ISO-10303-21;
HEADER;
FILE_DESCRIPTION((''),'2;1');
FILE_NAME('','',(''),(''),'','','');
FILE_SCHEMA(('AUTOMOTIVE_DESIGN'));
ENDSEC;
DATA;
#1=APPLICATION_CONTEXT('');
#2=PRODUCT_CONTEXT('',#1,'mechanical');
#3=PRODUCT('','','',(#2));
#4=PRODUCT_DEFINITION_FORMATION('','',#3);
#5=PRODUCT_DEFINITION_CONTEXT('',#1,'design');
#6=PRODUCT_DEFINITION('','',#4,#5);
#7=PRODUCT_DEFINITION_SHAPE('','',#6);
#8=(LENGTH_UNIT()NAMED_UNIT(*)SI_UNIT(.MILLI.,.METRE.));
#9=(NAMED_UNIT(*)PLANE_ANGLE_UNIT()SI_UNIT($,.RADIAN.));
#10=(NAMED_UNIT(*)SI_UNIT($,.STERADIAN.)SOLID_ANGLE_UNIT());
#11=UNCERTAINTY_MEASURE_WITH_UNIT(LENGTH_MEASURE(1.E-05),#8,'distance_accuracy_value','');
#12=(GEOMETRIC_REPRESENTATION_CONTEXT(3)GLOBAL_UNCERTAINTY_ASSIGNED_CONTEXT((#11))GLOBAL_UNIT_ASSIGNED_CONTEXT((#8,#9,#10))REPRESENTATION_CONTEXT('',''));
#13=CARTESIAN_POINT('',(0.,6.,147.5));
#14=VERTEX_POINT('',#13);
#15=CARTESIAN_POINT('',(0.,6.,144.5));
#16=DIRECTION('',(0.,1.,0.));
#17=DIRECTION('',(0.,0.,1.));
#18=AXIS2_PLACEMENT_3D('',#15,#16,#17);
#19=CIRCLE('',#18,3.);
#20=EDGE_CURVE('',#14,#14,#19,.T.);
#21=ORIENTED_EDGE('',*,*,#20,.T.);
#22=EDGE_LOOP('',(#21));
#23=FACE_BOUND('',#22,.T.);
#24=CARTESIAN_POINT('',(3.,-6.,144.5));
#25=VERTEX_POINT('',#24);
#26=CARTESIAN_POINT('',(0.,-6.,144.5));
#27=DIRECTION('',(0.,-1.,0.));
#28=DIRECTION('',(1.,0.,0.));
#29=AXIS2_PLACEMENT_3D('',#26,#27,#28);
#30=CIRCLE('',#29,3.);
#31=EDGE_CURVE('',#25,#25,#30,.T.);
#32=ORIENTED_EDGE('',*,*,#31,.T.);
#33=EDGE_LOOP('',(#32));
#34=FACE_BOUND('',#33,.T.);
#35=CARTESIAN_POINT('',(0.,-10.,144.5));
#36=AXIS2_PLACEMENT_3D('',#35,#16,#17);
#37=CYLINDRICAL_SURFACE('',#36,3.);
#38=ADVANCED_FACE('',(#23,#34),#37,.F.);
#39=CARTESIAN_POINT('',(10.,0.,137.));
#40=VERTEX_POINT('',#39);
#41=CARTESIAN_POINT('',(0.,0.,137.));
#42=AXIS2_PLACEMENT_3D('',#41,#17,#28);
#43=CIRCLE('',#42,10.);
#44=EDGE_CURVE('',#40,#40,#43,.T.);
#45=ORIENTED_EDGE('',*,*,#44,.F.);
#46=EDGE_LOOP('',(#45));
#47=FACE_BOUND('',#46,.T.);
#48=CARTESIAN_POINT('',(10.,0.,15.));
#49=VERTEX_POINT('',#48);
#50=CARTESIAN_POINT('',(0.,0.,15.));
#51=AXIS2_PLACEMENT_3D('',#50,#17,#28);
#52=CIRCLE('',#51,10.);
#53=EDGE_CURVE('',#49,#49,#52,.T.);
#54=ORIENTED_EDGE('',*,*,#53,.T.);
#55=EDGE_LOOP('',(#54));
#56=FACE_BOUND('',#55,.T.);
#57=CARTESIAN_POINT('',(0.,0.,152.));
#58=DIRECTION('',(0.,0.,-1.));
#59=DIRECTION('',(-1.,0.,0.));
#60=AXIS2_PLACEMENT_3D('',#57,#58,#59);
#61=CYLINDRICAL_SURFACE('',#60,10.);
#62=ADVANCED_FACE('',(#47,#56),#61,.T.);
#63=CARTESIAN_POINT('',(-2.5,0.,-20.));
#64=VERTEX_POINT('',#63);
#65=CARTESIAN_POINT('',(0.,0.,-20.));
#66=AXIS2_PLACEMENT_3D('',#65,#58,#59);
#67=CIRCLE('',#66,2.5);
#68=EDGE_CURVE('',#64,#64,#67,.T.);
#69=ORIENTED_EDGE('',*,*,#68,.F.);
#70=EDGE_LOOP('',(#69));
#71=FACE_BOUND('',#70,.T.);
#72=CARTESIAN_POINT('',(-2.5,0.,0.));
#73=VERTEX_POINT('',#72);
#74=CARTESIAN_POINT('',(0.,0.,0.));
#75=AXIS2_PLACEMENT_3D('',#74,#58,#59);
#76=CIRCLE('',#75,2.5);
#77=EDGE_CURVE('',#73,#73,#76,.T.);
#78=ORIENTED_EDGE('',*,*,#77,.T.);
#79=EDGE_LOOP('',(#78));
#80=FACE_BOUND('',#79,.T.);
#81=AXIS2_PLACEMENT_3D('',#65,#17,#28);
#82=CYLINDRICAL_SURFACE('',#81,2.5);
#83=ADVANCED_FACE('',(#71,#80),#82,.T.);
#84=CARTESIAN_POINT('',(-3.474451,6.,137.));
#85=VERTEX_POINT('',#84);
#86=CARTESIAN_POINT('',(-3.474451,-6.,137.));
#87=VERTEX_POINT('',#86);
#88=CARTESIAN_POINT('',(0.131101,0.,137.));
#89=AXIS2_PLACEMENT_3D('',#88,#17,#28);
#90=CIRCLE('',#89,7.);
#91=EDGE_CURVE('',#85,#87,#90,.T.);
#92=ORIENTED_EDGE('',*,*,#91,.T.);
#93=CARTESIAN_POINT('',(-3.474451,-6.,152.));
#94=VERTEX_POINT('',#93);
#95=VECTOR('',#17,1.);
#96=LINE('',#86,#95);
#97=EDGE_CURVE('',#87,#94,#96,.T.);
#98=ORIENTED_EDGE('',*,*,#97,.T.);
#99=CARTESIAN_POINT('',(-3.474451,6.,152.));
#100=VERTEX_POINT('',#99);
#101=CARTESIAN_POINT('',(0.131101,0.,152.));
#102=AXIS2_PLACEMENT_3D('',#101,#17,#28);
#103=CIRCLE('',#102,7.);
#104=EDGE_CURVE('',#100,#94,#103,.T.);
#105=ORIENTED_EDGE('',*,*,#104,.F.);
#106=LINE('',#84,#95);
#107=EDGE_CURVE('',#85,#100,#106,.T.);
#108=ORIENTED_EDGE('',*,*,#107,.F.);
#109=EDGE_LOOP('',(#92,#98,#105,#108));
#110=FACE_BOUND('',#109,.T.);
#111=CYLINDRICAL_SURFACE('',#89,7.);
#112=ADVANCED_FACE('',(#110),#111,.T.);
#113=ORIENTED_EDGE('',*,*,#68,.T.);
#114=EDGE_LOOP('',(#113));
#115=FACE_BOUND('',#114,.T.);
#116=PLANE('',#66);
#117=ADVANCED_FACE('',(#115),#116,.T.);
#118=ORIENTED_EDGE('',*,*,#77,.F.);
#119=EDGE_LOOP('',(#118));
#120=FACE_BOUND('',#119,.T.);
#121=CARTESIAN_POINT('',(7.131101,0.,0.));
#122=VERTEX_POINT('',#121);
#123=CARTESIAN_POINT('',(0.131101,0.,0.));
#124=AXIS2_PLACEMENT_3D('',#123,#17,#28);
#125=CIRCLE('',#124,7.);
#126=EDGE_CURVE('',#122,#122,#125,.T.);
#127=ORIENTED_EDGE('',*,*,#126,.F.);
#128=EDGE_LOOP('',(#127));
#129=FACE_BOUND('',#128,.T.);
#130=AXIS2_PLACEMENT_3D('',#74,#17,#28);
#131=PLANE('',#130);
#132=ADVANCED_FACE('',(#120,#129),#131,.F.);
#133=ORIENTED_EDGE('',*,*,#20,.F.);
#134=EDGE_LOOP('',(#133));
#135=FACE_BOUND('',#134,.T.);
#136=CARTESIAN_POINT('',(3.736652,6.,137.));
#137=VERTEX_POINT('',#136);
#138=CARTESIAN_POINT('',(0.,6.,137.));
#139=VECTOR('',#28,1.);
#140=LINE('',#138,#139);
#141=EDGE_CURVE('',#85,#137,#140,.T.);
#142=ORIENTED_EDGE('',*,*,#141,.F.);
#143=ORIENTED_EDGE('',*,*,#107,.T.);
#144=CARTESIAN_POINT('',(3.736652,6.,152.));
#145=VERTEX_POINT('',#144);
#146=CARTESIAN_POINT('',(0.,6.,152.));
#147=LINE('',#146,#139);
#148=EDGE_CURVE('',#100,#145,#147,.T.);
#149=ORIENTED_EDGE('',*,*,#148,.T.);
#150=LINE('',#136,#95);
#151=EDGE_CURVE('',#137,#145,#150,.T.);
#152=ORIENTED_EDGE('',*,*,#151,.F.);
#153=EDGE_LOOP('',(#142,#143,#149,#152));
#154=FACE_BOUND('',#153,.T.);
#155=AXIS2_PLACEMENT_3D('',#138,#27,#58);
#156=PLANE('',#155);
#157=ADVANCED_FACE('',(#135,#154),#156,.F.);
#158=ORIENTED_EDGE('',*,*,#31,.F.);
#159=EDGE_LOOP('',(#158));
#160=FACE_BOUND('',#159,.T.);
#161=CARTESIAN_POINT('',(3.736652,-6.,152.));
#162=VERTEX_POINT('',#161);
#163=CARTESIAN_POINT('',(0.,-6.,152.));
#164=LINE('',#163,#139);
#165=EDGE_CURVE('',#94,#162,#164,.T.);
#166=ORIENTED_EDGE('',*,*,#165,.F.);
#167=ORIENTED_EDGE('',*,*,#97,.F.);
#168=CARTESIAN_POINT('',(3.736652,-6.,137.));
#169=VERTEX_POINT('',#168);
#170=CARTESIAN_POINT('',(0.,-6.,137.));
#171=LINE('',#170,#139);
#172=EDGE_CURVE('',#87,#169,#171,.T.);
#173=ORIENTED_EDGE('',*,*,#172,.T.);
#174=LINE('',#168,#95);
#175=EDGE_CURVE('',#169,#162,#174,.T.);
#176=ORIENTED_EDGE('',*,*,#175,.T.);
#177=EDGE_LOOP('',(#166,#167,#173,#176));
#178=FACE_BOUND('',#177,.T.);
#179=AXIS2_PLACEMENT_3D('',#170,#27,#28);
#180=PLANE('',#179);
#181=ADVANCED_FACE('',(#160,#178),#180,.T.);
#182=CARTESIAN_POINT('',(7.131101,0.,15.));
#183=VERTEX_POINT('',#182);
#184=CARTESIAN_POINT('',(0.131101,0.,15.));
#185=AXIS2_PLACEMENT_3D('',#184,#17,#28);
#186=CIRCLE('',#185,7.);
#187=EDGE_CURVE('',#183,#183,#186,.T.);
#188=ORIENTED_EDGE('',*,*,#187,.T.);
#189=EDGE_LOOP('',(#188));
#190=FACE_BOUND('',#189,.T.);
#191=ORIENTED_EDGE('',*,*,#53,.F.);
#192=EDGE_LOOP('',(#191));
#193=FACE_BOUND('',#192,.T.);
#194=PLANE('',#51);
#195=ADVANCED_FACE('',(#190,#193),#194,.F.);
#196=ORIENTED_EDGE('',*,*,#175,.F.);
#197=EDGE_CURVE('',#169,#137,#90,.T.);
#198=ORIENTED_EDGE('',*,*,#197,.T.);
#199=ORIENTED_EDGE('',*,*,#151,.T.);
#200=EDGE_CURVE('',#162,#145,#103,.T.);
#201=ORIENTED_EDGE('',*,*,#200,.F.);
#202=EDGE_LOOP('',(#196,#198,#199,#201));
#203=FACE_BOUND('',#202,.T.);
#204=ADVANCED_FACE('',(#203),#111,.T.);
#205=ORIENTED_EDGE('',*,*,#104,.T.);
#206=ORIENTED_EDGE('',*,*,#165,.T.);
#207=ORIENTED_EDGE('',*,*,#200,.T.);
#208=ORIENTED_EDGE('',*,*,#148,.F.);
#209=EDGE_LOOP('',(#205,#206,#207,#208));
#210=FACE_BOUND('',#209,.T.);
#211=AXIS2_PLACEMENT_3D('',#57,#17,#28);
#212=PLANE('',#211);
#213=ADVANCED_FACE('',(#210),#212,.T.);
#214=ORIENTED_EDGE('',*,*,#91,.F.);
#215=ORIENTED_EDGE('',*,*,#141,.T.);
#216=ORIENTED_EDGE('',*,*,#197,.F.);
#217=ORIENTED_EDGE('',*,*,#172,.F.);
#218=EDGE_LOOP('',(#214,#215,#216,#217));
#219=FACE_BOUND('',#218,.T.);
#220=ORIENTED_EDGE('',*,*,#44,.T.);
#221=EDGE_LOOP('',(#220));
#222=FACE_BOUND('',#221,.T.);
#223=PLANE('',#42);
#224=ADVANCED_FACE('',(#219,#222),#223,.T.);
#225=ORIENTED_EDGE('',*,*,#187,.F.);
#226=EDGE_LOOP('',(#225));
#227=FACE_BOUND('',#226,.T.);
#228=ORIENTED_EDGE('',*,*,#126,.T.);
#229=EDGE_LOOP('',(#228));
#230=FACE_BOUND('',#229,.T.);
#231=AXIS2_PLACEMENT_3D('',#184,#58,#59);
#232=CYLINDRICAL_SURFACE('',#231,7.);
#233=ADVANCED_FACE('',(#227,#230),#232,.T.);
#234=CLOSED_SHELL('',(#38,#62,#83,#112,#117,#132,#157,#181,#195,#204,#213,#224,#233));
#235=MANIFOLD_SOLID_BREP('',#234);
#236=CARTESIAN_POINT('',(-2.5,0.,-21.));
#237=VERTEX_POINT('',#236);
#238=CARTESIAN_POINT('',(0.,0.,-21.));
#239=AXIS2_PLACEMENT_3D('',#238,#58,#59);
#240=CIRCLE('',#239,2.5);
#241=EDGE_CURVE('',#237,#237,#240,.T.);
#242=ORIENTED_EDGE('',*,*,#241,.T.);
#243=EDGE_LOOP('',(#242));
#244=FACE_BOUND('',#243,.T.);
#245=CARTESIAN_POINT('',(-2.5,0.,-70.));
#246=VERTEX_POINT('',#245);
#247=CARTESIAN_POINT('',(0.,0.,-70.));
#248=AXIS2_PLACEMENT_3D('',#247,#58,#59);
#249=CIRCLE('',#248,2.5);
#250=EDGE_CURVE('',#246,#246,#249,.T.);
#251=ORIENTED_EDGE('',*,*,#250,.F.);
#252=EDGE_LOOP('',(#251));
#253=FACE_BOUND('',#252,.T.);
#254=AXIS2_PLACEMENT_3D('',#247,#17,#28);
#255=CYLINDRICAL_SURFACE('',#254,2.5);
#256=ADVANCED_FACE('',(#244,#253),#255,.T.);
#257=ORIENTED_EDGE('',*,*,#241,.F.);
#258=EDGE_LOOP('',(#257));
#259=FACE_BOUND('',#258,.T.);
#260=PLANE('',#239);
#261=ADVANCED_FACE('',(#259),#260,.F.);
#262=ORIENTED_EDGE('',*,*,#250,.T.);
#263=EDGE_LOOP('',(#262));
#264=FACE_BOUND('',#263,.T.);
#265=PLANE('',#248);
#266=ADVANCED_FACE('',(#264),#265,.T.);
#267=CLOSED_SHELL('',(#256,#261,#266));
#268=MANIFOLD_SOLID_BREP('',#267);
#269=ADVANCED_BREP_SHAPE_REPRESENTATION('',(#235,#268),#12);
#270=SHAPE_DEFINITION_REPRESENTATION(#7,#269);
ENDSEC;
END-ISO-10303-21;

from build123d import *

# Parameters (mm, degrees)
SKETCH_1_R          = 10
EXTRUDE_1_DEPTH     = 152
CUT_EXTRUDE_START   = -15
SKETCH_2_R          = 10
SKETCH_2_R_2        = 7
CUT_EXTRUDE_1_DEPTH = 15
CUT_EXTRUDE_START_2 = -152
SKETCH_2_3_R        = 10
SKETCH_2_3_R_2      = 7
CUT_EXTRUDE_2_DEPTH = 15
SKETCH_3_R          = 3
CUT_EXTRUDE_3_DEPTH = 154.166575988
SKETCH_4_R          = 2.5
EXTRUDE_2_DEPTH     = 20
EXTRUDE_START       = 21
SKETCH_4_2_R        = 2.5
EXTRUDE_3_DEPTH     = 49


with BuildPart() as part:
    # 草图1 → 凸台-拉伸1 (new body)
    with BuildSketch(Plane.XY):
        Circle(SKETCH_1_R)
    extrude(amount=EXTRUDE_1_DEPTH)

    # 草图2 → 切除-拉伸1 (cut)
    # profile 1 of 3: a face of its own
    with BuildSketch(Plane.XY.offset(152).offset(CUT_EXTRUDE_START)):
        Circle(SKETCH_2_R)
        with Locations((0.131100685, 0)):
            Circle(SKETCH_2_R_2, mode=Mode.SUBTRACT)
    # profile 2 of 3: a face of its own
    with BuildSketch(Plane.XY.offset(152).offset(CUT_EXTRUDE_START)):
        with BuildLine():
            Line((3.73665196, -6), (-3.47445059, -6))
            ThreePointArc((-3.47445059, -6), (0.131100685, -7), (3.73665196, -6))
        make_face()
    # profile 3 of 3: a face of its own
    with BuildSketch(Plane.XY.offset(152).offset(CUT_EXTRUDE_START)):
        with BuildLine():
            ThreePointArc((3.73665196, 6), (0.131100685, 7), (-3.47445059, 6))
            Line((-3.47445059, 6), (3.73665196, 6))
        make_face()
    extrude(amount=CUT_EXTRUDE_1_DEPTH, mode=Mode.SUBTRACT)

    # 草图2<3> → 切除-拉伸2 (cut)
    with BuildSketch(Plane.XY.offset(152).offset(CUT_EXTRUDE_START_2)):
        Circle(SKETCH_2_3_R)
        with Locations((0.131100685, 0)):
            Circle(SKETCH_2_3_R_2, mode=Mode.SUBTRACT)
    extrude(amount=CUT_EXTRUDE_2_DEPTH, mode=Mode.SUBTRACT)

    # 草图3 → 切除-拉伸3 (cut, through all)
    with BuildSketch(Plane(origin=(0, 6, 0), x_dir=(1, 0, 0), z_dir=(0, 1, 0))):
        with Locations(Location((0, -144.5, 0), (0, 0, 270))):
            Circle(SKETCH_3_R)
    extrude(amount=-CUT_EXTRUDE_3_DEPTH, mode=Mode.SUBTRACT)

    # 草图4 → 凸台-拉伸2 (add)
    with BuildSketch(Plane(origin=(0, 0, 0), x_dir=(-1, 0, 0), z_dir=(0, 0, -1))):
        Circle(SKETCH_4_R)
    extrude(amount=EXTRUDE_2_DEPTH)


with BuildPart() as body_2:
    # 草图4<2> → 凸台-拉伸3 (new body)
    with BuildSketch(Plane(origin=(0, 0, 0), x_dir=(-1, 0, 0), z_dir=(0, 0, -1)).offset(EXTRUDE_START)):
        Circle(SKETCH_4_2_R)
    extrude(amount=EXTRUDE_3_DEPTH)


solid = Compound([part.part, body_2.part])
